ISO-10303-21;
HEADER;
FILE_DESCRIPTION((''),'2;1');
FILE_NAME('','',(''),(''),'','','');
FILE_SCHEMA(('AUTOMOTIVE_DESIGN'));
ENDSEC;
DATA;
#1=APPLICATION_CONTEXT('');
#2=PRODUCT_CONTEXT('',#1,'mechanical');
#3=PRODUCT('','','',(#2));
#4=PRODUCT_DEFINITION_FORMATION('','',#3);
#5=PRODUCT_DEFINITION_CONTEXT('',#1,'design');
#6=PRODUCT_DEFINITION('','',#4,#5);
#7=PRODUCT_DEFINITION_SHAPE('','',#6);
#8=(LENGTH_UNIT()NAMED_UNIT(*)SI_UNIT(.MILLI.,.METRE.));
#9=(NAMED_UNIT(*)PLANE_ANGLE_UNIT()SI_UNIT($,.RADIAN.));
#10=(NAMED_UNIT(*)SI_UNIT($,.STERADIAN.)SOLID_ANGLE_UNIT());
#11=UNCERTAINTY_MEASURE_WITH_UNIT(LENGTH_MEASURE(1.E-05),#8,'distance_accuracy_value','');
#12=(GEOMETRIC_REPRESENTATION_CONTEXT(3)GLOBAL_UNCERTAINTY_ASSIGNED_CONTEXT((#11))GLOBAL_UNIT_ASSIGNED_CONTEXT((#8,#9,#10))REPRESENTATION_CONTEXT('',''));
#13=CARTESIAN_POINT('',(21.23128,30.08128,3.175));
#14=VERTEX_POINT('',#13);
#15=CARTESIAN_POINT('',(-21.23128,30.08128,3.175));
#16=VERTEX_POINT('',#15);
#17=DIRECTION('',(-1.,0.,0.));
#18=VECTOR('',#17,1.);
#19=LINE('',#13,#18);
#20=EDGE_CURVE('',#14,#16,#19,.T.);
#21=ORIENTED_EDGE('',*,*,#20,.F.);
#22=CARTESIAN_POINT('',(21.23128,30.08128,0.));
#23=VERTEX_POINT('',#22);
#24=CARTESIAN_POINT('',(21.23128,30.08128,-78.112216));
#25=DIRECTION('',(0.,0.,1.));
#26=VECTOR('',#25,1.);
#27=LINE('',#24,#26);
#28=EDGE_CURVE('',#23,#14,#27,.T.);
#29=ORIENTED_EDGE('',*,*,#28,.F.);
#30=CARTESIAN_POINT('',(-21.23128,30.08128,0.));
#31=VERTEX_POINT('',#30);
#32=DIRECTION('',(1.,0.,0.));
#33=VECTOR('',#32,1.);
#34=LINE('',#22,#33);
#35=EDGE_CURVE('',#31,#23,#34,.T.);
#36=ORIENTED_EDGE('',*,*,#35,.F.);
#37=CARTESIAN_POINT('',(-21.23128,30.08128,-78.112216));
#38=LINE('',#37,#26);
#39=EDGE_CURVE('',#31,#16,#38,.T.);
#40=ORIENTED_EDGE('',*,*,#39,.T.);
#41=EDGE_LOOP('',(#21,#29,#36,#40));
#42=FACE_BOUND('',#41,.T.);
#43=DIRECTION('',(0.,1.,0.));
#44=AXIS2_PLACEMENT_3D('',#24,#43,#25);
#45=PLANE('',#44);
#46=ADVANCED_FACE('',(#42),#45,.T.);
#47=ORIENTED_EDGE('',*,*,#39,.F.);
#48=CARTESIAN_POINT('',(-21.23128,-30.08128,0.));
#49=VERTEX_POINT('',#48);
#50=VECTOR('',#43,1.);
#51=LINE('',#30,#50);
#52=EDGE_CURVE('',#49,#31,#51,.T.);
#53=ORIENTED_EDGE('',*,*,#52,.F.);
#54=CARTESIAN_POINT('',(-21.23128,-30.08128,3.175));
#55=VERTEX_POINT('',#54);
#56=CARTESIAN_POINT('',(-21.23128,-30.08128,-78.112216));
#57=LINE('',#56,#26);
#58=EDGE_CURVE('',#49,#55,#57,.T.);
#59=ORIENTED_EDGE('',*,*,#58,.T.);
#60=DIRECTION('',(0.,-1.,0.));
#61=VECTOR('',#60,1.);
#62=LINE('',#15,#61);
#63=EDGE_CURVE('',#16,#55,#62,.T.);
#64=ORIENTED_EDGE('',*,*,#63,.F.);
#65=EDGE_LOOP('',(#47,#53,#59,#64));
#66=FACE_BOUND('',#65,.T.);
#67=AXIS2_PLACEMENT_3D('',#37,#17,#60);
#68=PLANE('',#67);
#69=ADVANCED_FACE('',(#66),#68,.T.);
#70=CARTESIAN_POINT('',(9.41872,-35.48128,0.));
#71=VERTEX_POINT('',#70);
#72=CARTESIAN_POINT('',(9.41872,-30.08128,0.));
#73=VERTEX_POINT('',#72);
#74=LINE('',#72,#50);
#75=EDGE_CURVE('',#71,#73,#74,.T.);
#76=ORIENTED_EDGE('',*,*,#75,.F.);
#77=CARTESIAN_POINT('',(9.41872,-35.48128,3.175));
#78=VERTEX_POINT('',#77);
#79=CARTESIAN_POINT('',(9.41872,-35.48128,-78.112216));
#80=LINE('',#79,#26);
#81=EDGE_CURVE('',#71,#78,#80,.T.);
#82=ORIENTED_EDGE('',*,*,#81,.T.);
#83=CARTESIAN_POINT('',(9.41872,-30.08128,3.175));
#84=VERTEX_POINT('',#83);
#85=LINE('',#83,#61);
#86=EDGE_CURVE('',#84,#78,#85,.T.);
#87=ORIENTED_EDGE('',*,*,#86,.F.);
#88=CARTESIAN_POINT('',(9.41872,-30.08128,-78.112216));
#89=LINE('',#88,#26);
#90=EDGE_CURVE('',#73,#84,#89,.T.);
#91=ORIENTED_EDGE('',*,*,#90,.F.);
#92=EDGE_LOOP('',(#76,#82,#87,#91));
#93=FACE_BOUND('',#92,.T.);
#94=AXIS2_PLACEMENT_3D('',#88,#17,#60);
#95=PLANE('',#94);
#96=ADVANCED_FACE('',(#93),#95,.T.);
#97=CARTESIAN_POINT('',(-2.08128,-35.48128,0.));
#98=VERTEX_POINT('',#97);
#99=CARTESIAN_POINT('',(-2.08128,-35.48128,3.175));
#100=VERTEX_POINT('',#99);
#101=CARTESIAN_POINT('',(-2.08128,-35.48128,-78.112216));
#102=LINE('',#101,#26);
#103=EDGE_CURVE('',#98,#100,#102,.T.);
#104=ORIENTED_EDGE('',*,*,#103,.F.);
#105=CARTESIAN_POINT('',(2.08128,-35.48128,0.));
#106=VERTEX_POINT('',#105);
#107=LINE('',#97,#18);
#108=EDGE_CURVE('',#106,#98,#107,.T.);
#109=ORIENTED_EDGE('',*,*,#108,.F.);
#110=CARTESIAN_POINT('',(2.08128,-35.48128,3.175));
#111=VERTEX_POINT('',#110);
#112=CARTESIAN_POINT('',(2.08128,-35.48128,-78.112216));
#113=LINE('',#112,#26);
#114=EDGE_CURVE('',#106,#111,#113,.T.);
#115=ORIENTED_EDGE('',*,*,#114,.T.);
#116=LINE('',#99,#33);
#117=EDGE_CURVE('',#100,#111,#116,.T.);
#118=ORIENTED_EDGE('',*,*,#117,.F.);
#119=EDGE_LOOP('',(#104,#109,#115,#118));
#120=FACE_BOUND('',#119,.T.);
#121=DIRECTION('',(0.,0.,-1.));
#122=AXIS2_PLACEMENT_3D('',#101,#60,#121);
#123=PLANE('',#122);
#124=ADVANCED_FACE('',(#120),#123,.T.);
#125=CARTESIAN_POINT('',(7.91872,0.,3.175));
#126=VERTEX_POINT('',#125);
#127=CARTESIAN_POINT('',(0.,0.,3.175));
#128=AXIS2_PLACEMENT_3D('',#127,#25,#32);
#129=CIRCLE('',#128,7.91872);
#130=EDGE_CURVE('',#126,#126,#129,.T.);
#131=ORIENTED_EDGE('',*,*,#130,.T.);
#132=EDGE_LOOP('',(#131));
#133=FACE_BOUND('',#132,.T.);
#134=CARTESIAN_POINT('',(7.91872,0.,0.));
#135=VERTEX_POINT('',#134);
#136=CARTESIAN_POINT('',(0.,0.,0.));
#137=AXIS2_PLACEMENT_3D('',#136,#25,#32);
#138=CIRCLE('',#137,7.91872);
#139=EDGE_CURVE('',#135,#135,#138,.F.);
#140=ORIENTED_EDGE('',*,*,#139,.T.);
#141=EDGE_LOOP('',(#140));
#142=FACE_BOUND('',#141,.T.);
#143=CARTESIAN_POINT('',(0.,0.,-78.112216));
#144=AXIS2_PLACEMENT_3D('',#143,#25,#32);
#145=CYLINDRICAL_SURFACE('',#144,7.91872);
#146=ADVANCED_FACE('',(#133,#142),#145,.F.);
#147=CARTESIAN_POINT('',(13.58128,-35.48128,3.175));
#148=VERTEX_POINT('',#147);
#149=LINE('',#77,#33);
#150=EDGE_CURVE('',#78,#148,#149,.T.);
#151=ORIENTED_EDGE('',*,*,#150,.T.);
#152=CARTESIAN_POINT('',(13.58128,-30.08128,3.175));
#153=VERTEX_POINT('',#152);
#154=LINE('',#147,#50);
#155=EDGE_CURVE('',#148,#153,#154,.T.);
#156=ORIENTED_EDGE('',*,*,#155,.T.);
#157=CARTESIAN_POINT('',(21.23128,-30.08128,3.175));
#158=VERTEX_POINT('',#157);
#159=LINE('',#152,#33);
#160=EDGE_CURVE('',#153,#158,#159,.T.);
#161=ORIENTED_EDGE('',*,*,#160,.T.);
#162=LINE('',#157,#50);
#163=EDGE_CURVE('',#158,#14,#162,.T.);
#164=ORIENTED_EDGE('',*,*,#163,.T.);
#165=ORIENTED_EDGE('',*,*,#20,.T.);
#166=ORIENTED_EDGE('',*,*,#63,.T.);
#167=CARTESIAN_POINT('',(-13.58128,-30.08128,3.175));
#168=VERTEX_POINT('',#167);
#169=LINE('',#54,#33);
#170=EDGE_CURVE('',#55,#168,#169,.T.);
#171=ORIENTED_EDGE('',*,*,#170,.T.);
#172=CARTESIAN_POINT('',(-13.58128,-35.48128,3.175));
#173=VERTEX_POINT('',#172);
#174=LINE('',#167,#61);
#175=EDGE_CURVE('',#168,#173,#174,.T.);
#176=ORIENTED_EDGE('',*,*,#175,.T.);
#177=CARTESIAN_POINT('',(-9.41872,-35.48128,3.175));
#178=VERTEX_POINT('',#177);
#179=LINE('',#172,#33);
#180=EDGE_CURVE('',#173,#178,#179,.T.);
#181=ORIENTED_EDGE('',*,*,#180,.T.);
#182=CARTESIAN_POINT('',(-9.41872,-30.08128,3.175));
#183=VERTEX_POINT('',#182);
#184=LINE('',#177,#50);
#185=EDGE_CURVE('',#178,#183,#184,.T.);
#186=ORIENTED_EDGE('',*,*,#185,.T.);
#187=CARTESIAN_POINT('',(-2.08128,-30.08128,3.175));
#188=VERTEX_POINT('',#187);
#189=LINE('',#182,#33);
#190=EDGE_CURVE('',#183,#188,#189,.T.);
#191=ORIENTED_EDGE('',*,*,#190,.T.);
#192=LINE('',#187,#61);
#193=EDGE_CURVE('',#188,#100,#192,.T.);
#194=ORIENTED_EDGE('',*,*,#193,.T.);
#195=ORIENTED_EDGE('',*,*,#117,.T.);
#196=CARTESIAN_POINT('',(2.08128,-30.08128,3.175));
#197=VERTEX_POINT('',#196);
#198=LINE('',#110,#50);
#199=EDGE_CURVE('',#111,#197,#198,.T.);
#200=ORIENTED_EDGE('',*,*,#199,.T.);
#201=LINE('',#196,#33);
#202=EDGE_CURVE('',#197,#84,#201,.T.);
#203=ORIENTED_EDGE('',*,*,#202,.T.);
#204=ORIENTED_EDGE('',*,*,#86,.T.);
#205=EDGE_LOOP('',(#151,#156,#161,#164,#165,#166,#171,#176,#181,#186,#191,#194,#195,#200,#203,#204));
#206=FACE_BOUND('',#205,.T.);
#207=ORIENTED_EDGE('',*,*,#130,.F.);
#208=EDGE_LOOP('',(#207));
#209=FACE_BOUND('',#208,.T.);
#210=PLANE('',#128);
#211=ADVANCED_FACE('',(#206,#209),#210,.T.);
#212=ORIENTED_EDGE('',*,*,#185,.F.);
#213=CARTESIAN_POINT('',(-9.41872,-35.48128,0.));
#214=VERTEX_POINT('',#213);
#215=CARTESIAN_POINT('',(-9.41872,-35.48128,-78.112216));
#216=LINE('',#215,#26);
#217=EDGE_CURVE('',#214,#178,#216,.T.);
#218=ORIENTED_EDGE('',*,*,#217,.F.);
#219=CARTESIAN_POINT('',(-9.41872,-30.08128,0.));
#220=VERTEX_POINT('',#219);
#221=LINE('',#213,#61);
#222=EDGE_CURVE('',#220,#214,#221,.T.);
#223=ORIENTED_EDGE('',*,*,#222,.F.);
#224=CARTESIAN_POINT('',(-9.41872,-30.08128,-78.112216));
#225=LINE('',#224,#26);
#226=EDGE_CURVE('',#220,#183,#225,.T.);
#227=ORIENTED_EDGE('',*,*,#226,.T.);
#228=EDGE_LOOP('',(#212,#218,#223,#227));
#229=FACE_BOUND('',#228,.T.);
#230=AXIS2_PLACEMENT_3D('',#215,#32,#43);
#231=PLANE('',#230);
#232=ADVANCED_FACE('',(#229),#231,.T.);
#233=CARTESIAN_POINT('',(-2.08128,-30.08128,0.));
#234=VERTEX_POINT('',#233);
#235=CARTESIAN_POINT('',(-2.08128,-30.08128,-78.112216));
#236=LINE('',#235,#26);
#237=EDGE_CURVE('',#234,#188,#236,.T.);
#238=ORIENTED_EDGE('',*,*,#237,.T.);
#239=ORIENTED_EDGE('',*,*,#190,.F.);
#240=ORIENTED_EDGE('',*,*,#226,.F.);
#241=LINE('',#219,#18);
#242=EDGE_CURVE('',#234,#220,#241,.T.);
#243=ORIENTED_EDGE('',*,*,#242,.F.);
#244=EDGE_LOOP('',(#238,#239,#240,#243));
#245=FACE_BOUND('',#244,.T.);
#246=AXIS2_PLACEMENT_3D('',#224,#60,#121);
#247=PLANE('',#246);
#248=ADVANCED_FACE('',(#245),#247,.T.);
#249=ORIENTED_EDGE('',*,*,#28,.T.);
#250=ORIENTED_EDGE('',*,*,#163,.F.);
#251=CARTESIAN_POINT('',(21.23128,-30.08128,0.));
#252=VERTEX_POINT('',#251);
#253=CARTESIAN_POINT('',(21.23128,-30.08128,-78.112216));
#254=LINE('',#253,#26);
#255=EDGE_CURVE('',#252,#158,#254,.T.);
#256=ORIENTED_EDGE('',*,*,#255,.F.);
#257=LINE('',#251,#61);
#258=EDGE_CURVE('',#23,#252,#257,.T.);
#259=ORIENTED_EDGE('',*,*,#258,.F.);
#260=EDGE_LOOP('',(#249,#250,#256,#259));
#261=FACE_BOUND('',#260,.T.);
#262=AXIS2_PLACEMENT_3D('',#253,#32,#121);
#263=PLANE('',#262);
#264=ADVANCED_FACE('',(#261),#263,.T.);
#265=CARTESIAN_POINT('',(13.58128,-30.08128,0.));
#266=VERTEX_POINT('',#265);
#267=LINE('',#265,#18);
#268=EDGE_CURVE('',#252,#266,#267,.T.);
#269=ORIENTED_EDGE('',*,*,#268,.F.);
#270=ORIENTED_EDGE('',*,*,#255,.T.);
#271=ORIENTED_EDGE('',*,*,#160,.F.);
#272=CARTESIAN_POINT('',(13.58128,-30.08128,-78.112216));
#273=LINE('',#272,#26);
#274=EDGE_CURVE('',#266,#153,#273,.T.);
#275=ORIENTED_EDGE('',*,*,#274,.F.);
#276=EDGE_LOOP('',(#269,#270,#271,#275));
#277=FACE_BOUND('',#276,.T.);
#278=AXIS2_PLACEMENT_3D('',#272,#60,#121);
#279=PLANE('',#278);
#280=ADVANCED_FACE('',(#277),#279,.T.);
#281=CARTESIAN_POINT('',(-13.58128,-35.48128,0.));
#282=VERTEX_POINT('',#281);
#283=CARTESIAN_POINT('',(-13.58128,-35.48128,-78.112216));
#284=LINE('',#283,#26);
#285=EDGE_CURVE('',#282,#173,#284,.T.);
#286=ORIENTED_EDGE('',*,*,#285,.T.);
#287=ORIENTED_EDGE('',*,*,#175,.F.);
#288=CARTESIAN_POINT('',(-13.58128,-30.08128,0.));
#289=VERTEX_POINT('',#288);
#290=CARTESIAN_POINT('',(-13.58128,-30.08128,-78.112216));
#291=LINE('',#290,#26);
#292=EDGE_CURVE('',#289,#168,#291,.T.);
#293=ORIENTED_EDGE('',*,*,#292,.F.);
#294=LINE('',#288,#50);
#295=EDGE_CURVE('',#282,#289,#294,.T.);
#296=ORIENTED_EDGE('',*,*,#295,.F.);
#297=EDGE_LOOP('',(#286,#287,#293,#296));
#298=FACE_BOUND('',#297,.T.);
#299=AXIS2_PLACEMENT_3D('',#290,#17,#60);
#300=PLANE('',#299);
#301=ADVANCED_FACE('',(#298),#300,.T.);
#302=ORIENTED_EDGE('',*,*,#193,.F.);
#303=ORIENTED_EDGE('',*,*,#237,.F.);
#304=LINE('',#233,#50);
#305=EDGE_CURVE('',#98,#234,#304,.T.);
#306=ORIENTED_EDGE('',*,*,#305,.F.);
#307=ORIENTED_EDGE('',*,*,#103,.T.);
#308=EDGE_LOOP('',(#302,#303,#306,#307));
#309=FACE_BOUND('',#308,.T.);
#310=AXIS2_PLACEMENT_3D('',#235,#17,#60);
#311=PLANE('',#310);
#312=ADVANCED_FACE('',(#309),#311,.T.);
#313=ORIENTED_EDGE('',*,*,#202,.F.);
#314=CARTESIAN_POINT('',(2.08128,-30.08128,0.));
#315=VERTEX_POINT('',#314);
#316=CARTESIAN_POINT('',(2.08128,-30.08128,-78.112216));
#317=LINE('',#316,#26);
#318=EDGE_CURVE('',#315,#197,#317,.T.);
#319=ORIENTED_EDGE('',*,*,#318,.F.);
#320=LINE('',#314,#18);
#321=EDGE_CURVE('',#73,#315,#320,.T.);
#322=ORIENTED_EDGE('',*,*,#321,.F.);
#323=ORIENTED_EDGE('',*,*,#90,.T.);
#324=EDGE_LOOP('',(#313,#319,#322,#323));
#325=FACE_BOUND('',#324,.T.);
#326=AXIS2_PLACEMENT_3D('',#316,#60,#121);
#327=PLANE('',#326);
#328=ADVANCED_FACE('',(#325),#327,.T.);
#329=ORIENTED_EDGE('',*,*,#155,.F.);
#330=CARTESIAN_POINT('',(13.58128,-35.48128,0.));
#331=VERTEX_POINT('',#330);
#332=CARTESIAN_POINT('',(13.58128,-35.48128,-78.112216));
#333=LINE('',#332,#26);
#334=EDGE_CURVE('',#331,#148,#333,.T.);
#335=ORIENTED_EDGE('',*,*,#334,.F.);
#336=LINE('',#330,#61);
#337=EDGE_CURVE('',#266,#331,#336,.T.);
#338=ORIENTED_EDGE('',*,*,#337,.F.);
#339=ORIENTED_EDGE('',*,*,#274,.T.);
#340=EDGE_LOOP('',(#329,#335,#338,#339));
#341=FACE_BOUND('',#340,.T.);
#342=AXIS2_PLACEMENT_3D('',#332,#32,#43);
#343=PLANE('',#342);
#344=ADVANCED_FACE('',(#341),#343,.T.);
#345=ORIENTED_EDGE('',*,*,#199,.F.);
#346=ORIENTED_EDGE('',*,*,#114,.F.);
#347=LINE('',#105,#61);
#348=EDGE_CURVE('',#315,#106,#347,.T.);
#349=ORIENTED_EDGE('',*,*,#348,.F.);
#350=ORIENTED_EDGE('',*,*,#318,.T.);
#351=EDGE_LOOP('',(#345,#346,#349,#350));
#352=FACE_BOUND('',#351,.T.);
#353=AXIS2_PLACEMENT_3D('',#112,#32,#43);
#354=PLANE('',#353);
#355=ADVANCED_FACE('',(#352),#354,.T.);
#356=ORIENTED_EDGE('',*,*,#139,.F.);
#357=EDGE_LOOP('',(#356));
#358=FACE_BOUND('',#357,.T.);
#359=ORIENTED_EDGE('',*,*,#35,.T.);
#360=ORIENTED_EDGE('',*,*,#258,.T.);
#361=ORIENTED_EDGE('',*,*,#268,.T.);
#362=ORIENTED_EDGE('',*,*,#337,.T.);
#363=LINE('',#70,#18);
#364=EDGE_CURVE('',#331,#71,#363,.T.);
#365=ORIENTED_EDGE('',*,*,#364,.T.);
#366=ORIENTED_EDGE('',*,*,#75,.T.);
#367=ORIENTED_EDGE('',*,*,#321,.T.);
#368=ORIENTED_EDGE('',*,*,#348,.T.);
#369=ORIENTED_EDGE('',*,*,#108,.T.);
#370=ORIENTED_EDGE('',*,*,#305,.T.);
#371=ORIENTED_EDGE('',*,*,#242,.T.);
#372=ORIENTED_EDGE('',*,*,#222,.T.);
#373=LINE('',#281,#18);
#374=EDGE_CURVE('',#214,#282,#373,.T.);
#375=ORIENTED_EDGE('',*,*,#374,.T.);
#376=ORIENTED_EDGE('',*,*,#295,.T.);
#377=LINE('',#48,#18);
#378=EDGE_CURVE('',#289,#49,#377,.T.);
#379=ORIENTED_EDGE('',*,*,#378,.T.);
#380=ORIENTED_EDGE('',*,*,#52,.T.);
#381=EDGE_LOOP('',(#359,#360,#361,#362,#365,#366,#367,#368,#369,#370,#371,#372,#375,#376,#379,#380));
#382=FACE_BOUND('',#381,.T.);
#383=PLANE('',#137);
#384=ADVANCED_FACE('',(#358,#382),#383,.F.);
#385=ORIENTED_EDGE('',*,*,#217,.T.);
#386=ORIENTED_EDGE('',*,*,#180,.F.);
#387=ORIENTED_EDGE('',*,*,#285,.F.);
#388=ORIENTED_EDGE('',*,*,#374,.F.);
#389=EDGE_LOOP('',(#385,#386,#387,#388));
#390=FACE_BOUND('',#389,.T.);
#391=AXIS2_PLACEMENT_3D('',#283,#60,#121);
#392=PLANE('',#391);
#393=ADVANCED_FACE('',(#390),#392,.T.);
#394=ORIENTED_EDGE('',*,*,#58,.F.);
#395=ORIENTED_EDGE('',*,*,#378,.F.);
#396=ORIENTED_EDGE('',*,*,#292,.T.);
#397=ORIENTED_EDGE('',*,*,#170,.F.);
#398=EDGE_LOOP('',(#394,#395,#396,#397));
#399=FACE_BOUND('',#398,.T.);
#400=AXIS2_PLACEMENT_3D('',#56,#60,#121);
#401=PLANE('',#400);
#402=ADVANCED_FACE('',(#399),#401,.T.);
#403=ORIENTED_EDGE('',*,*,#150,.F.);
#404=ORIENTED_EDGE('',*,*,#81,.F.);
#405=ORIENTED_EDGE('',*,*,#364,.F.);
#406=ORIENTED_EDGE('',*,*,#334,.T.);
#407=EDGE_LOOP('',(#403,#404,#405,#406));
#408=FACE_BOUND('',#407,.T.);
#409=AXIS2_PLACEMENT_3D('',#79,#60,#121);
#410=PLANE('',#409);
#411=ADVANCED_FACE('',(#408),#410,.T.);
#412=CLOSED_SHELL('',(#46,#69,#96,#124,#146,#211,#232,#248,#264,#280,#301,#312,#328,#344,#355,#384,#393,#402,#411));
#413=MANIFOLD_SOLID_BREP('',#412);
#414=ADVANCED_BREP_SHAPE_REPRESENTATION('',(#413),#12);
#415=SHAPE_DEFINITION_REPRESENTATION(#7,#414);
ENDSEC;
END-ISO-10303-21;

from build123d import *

# Parameters (mm, degrees)
SKETCH1_W           = 42.3
SKETCH1_H           = 60
SKETCH1_R           = 8
SKETCH1_W_2         = 4
SKETCH1_H_2         = 5.4
BOSS_EXTRUDE1_DEPTH = 3.175
SKETCH2_R           = 7.95936
BOSS_EXTRUDE3_DEPTH = 3.175
SKETCH3_R           = 7.91872
BOSS_EXTRUDE4_DEPTH = 3.175


with BuildPart() as part:
    # Sketch1 → Boss-Extrude1 (new body)
    with BuildSketch(Plane.XY):
        Rectangle(SKETCH1_W, SKETCH1_H)
        Circle(SKETCH1_R, mode=Mode.SUBTRACT)
        with Locations((0, -32.7)):
            Rectangle(SKETCH1_W_2, SKETCH1_H_2)
        with Locations((-11.5, -32.7)):
            Rectangle(SKETCH1_W_2, SKETCH1_H_2)
        with Locations((11.5, -32.7)):
            Rectangle(SKETCH1_W_2, SKETCH1_H_2)
    extrude(amount=BOSS_EXTRUDE1_DEPTH)

    # Sketch2 → Boss-Extrude3 (add)
    with BuildSketch(Plane.XY.offset(3.175)):
        Polygon((21.19064, -30.04064), (21.19064, 30.04064), (-21.19064, 30.04064), (-21.19064, -30.04064), (-13.54064, -30.04064), (-13.54064, -35.44064), (-9.45936, -35.44064), (-9.45936, -30.04064), (-2.04064, -30.04064), (-2.04064, -35.44064), (2.04064, -35.44064), (2.04064, -30.04064), (9.45936, -30.04064), (9.45936, -35.44064), (13.54064, -35.44064), (13.54064, -30.04064), align=None)
        Circle(SKETCH2_R, mode=Mode.SUBTRACT)
    extrude(amount=-BOSS_EXTRUDE3_DEPTH)

    # Sketch3 → Boss-Extrude4 (add)
    with BuildSketch(Plane.XY.offset(3.175)):
        Polygon((-21.23128, 30.08128), (-21.23128, -30.08128), (-13.58128, -30.08128), (-13.58128, -35.48128), (-9.41872, -35.48128), (-9.41872, -30.08128), (-2.08128, -30.08128), (-2.08128, -35.48128), (2.08128, -35.48128), (2.08128, -30.08128), (9.41872, -30.08128), (9.41872, -35.48128), (13.58128, -35.48128), (13.58128, -30.08128), (21.23128, -30.08128), (21.23128, 30.08128), align=None)
        Circle(SKETCH3_R, mode=Mode.SUBTRACT)
    extrude(amount=-BOSS_EXTRUDE4_DEPTH)


solid = part.part
